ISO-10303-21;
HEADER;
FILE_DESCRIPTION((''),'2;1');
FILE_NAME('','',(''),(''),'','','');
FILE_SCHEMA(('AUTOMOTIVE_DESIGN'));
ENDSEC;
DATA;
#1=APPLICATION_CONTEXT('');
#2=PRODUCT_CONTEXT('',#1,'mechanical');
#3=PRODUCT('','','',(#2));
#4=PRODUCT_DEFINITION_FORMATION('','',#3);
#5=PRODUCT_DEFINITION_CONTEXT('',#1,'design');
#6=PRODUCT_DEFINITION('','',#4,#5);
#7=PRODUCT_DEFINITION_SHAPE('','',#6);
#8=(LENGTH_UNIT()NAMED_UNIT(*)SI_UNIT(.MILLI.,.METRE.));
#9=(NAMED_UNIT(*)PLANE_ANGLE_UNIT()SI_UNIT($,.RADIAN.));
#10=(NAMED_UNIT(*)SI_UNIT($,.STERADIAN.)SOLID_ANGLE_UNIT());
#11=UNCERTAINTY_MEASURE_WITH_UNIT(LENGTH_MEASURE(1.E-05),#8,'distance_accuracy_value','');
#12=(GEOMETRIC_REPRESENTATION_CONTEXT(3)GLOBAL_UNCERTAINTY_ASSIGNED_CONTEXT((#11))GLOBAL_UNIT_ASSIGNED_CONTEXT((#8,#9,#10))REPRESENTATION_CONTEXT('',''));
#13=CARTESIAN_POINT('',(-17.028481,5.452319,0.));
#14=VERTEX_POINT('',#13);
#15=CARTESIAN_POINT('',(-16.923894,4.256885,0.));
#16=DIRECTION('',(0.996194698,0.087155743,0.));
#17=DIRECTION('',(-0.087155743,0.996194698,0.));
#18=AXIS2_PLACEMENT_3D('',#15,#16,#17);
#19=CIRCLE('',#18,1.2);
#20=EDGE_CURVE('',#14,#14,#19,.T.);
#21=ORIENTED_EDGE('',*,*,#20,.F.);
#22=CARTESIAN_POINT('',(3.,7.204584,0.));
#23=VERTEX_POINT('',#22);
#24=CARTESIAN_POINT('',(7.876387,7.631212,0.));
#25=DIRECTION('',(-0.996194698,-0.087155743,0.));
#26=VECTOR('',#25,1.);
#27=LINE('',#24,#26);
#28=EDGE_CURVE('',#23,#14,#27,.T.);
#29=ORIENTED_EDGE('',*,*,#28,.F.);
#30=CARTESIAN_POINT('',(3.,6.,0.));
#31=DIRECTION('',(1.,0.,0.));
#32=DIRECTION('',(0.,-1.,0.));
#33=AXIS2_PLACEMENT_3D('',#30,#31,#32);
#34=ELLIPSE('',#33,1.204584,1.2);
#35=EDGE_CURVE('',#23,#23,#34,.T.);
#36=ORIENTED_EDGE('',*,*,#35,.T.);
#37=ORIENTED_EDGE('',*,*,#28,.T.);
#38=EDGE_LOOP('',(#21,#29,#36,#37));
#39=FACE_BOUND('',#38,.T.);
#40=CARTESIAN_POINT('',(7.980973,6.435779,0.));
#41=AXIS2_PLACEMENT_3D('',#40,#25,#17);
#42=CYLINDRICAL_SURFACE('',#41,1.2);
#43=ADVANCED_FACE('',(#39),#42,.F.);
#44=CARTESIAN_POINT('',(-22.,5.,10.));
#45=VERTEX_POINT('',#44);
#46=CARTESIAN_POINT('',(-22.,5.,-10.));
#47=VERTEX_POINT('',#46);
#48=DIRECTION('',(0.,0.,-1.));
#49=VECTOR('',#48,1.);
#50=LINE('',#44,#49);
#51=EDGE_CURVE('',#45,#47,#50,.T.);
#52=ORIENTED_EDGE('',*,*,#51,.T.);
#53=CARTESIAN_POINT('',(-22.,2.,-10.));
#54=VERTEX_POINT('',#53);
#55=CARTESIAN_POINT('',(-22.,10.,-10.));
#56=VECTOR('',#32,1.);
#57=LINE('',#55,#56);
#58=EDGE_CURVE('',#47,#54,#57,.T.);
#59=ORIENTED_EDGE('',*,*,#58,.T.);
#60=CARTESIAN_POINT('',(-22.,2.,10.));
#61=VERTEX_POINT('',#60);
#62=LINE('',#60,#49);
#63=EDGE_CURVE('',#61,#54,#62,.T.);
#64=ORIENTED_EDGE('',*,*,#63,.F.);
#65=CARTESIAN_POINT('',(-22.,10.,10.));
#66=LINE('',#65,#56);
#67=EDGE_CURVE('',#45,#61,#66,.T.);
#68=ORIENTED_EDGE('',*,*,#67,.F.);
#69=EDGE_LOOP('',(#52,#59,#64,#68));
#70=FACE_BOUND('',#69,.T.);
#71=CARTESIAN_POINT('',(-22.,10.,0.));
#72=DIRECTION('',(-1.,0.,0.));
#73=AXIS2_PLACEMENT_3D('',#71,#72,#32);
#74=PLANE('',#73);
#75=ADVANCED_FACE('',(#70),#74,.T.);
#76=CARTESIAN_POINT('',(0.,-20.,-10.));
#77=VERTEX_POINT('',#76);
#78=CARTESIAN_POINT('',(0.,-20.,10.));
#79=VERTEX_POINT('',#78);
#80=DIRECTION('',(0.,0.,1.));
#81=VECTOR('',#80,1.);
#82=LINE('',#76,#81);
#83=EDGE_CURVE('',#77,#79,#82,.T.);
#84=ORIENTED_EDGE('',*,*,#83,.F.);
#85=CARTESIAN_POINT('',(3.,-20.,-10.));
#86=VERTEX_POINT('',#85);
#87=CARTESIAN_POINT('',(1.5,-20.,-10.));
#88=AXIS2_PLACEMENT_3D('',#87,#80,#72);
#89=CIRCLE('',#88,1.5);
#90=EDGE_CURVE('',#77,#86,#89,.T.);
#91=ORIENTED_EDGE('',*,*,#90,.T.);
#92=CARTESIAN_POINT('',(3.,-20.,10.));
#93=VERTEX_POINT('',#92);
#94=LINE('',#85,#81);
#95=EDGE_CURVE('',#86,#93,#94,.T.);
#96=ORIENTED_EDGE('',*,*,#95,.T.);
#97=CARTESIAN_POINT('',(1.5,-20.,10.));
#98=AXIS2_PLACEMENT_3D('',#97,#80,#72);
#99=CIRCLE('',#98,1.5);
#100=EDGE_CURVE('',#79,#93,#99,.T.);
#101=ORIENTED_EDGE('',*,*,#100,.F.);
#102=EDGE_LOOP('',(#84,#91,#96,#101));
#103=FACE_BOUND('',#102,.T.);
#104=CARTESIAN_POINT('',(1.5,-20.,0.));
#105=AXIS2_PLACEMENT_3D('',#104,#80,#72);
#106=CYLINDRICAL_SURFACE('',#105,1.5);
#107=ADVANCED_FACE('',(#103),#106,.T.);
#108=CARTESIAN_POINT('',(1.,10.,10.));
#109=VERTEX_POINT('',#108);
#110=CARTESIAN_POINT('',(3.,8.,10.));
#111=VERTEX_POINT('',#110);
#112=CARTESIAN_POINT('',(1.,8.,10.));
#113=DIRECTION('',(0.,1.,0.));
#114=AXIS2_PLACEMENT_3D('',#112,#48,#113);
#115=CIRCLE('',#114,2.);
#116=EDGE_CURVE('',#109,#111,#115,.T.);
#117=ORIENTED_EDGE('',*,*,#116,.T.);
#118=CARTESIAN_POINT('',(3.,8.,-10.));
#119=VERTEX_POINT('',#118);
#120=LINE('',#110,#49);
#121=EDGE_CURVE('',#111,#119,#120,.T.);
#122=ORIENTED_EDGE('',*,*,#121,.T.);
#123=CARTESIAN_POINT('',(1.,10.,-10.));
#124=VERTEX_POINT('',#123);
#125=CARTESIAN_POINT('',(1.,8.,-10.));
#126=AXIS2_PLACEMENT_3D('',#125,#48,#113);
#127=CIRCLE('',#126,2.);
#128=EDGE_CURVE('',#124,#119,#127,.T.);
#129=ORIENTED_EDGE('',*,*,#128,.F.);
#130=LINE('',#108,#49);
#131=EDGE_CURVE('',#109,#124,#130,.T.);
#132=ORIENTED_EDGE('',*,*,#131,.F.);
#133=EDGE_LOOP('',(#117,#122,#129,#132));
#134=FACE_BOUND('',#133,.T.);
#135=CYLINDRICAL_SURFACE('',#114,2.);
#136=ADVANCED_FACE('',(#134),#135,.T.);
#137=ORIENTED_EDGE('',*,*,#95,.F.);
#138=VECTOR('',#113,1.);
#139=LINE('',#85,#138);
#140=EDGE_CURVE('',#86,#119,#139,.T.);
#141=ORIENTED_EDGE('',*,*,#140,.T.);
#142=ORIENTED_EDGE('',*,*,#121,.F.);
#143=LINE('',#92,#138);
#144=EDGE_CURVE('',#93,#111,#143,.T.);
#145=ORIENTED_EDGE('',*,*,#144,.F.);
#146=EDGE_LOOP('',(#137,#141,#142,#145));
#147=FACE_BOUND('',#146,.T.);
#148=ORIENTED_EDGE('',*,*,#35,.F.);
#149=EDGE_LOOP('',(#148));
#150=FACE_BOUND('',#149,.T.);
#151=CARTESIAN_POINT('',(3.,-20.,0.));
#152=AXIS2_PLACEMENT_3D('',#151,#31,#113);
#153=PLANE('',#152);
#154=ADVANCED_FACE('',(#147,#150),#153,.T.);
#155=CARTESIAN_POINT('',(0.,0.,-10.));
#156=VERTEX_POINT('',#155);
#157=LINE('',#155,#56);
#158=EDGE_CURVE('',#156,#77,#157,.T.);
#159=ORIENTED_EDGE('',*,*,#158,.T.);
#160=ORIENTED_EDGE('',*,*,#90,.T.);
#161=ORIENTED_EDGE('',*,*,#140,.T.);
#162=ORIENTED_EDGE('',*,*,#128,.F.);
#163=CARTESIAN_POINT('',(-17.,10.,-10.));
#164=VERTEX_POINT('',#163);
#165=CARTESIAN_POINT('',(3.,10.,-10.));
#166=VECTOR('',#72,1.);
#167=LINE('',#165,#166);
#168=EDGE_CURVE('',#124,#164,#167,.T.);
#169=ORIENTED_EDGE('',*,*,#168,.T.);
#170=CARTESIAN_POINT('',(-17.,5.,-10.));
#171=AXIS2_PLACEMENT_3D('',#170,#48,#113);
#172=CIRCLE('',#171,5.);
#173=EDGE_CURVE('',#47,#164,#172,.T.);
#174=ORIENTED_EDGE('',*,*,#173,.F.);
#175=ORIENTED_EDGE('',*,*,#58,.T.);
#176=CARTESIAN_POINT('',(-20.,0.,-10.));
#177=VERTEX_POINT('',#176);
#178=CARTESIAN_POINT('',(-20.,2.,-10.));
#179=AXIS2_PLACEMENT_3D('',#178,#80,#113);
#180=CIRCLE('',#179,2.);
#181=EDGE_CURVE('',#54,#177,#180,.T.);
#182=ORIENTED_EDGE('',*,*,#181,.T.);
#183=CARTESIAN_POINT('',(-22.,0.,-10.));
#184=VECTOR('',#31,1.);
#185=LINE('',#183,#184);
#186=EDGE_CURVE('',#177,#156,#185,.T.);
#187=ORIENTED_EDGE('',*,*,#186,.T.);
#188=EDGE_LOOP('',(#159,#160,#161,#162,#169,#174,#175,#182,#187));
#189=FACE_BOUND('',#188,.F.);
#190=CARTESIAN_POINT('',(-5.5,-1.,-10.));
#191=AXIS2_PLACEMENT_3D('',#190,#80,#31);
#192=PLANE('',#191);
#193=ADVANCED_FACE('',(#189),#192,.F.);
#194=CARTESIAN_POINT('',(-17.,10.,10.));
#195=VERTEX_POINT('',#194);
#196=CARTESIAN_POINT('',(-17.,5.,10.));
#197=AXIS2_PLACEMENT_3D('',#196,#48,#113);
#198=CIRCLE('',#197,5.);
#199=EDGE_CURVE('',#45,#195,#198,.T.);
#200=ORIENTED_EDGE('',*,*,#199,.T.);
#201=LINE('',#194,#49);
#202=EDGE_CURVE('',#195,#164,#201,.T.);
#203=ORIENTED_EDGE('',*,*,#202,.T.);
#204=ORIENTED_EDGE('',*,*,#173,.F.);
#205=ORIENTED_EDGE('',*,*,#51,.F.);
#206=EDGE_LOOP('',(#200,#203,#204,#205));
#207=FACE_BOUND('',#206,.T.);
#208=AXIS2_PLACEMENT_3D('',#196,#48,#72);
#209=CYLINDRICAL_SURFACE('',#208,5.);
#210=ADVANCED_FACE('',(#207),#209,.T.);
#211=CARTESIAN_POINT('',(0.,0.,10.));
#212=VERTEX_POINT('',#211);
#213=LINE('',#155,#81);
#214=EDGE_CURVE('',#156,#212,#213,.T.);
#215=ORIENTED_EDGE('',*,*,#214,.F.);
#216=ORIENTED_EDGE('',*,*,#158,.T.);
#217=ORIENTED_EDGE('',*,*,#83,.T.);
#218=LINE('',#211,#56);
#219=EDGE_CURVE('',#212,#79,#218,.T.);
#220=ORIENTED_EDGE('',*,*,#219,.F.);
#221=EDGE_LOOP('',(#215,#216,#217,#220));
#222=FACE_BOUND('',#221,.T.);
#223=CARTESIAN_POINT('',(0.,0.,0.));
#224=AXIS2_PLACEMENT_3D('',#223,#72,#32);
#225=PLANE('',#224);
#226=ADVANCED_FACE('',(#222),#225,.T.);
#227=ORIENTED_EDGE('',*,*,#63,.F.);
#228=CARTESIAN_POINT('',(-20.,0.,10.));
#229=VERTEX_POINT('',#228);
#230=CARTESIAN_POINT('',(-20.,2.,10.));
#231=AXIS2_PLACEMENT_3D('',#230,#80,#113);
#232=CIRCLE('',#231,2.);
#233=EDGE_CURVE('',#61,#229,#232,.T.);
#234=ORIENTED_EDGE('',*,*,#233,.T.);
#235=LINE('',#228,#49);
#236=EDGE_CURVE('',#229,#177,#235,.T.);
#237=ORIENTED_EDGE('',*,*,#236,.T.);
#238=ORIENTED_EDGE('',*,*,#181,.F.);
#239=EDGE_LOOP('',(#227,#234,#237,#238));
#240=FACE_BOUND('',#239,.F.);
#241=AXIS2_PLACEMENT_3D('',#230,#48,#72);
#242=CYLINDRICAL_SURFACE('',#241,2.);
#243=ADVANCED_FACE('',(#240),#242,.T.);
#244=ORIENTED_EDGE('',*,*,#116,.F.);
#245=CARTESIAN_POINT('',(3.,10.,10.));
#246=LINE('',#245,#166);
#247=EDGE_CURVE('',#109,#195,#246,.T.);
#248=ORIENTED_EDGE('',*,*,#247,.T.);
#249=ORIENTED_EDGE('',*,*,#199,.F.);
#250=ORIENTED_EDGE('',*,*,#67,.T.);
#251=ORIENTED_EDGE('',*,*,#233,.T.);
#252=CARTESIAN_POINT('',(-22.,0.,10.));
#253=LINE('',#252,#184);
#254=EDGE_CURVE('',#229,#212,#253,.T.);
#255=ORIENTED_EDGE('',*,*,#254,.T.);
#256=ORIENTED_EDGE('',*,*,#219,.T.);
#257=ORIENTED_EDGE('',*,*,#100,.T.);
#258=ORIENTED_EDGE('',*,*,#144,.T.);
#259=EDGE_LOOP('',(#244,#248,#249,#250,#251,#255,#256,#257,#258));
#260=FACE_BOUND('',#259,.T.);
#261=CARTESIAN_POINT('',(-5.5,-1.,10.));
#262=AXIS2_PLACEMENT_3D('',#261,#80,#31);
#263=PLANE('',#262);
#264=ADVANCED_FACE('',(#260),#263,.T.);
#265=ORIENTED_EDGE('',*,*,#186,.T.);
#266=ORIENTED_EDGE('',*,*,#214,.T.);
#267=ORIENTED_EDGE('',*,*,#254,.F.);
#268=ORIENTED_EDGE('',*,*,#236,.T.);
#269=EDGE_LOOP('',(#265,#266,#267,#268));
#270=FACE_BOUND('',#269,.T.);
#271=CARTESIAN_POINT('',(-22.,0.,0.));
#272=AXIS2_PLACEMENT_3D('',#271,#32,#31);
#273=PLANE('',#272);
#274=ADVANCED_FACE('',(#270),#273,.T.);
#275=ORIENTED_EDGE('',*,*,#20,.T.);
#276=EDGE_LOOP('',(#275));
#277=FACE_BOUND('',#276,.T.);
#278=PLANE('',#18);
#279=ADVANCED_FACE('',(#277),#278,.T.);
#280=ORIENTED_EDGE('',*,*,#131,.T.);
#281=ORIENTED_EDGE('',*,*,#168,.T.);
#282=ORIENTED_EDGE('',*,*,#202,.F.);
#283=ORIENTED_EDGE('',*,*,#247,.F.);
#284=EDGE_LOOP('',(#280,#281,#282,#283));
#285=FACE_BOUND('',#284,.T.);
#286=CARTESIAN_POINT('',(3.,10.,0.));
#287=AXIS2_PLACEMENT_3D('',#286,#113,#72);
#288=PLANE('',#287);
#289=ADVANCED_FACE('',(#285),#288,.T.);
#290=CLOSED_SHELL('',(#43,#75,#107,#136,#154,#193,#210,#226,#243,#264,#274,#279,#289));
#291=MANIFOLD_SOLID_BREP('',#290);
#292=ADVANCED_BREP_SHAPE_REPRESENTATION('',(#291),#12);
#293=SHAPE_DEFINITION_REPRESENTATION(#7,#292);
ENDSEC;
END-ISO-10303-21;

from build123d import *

# Parameters (mm, degrees)
F1_DEPTH = 10
F4_R     = 5
F5_R     = 2


with BuildPart() as f1:
    # F0 (on Top) → F1 (new body, symmetric)
    with BuildSketch(Plane.XY):
        Polygon((-22, 0), (0, 0), (0, -20), (3, -20), (3, 10), (-22, 10), align=None)
        with BuildLine():
            Line((3, -20), (0, -20))
            ThreePointArc((0, -20), (1.5, -21.5), (3, -20))
        make_face()
    extrude(amount=F1_DEPTH, both=True)

    # F2 (on Top) → F3 (revolve, cut)
    with BuildSketch(Plane.XY):
        Polygon((-17.0284808531, 5.4523187828), (-16.9238939618, 4.256885145), (3, 6), (7.9809734905, 6.4357787137), (7.8763865992, 7.6312123514), align=None)
    revolve(axis=Axis((-4.4714602357, 5.3463319294, 0), (0.9961946981, 0.0871557427, 0)), mode=Mode.SUBTRACT)

    # F4
    f4_edges = [f1.edges().sort_by_distance(p)[0] for p in [
        (-22, 10, 0),
    ]]
    fillet(f4_edges, radius=F4_R)

    # F5
    f5_edges = [f1.edges().sort_by_distance(p)[0] for p in [
        (3, 10, 0),
        (-22, 0, 0),
    ]]
    fillet(f5_edges, radius=F5_R)


solid = f1.part
